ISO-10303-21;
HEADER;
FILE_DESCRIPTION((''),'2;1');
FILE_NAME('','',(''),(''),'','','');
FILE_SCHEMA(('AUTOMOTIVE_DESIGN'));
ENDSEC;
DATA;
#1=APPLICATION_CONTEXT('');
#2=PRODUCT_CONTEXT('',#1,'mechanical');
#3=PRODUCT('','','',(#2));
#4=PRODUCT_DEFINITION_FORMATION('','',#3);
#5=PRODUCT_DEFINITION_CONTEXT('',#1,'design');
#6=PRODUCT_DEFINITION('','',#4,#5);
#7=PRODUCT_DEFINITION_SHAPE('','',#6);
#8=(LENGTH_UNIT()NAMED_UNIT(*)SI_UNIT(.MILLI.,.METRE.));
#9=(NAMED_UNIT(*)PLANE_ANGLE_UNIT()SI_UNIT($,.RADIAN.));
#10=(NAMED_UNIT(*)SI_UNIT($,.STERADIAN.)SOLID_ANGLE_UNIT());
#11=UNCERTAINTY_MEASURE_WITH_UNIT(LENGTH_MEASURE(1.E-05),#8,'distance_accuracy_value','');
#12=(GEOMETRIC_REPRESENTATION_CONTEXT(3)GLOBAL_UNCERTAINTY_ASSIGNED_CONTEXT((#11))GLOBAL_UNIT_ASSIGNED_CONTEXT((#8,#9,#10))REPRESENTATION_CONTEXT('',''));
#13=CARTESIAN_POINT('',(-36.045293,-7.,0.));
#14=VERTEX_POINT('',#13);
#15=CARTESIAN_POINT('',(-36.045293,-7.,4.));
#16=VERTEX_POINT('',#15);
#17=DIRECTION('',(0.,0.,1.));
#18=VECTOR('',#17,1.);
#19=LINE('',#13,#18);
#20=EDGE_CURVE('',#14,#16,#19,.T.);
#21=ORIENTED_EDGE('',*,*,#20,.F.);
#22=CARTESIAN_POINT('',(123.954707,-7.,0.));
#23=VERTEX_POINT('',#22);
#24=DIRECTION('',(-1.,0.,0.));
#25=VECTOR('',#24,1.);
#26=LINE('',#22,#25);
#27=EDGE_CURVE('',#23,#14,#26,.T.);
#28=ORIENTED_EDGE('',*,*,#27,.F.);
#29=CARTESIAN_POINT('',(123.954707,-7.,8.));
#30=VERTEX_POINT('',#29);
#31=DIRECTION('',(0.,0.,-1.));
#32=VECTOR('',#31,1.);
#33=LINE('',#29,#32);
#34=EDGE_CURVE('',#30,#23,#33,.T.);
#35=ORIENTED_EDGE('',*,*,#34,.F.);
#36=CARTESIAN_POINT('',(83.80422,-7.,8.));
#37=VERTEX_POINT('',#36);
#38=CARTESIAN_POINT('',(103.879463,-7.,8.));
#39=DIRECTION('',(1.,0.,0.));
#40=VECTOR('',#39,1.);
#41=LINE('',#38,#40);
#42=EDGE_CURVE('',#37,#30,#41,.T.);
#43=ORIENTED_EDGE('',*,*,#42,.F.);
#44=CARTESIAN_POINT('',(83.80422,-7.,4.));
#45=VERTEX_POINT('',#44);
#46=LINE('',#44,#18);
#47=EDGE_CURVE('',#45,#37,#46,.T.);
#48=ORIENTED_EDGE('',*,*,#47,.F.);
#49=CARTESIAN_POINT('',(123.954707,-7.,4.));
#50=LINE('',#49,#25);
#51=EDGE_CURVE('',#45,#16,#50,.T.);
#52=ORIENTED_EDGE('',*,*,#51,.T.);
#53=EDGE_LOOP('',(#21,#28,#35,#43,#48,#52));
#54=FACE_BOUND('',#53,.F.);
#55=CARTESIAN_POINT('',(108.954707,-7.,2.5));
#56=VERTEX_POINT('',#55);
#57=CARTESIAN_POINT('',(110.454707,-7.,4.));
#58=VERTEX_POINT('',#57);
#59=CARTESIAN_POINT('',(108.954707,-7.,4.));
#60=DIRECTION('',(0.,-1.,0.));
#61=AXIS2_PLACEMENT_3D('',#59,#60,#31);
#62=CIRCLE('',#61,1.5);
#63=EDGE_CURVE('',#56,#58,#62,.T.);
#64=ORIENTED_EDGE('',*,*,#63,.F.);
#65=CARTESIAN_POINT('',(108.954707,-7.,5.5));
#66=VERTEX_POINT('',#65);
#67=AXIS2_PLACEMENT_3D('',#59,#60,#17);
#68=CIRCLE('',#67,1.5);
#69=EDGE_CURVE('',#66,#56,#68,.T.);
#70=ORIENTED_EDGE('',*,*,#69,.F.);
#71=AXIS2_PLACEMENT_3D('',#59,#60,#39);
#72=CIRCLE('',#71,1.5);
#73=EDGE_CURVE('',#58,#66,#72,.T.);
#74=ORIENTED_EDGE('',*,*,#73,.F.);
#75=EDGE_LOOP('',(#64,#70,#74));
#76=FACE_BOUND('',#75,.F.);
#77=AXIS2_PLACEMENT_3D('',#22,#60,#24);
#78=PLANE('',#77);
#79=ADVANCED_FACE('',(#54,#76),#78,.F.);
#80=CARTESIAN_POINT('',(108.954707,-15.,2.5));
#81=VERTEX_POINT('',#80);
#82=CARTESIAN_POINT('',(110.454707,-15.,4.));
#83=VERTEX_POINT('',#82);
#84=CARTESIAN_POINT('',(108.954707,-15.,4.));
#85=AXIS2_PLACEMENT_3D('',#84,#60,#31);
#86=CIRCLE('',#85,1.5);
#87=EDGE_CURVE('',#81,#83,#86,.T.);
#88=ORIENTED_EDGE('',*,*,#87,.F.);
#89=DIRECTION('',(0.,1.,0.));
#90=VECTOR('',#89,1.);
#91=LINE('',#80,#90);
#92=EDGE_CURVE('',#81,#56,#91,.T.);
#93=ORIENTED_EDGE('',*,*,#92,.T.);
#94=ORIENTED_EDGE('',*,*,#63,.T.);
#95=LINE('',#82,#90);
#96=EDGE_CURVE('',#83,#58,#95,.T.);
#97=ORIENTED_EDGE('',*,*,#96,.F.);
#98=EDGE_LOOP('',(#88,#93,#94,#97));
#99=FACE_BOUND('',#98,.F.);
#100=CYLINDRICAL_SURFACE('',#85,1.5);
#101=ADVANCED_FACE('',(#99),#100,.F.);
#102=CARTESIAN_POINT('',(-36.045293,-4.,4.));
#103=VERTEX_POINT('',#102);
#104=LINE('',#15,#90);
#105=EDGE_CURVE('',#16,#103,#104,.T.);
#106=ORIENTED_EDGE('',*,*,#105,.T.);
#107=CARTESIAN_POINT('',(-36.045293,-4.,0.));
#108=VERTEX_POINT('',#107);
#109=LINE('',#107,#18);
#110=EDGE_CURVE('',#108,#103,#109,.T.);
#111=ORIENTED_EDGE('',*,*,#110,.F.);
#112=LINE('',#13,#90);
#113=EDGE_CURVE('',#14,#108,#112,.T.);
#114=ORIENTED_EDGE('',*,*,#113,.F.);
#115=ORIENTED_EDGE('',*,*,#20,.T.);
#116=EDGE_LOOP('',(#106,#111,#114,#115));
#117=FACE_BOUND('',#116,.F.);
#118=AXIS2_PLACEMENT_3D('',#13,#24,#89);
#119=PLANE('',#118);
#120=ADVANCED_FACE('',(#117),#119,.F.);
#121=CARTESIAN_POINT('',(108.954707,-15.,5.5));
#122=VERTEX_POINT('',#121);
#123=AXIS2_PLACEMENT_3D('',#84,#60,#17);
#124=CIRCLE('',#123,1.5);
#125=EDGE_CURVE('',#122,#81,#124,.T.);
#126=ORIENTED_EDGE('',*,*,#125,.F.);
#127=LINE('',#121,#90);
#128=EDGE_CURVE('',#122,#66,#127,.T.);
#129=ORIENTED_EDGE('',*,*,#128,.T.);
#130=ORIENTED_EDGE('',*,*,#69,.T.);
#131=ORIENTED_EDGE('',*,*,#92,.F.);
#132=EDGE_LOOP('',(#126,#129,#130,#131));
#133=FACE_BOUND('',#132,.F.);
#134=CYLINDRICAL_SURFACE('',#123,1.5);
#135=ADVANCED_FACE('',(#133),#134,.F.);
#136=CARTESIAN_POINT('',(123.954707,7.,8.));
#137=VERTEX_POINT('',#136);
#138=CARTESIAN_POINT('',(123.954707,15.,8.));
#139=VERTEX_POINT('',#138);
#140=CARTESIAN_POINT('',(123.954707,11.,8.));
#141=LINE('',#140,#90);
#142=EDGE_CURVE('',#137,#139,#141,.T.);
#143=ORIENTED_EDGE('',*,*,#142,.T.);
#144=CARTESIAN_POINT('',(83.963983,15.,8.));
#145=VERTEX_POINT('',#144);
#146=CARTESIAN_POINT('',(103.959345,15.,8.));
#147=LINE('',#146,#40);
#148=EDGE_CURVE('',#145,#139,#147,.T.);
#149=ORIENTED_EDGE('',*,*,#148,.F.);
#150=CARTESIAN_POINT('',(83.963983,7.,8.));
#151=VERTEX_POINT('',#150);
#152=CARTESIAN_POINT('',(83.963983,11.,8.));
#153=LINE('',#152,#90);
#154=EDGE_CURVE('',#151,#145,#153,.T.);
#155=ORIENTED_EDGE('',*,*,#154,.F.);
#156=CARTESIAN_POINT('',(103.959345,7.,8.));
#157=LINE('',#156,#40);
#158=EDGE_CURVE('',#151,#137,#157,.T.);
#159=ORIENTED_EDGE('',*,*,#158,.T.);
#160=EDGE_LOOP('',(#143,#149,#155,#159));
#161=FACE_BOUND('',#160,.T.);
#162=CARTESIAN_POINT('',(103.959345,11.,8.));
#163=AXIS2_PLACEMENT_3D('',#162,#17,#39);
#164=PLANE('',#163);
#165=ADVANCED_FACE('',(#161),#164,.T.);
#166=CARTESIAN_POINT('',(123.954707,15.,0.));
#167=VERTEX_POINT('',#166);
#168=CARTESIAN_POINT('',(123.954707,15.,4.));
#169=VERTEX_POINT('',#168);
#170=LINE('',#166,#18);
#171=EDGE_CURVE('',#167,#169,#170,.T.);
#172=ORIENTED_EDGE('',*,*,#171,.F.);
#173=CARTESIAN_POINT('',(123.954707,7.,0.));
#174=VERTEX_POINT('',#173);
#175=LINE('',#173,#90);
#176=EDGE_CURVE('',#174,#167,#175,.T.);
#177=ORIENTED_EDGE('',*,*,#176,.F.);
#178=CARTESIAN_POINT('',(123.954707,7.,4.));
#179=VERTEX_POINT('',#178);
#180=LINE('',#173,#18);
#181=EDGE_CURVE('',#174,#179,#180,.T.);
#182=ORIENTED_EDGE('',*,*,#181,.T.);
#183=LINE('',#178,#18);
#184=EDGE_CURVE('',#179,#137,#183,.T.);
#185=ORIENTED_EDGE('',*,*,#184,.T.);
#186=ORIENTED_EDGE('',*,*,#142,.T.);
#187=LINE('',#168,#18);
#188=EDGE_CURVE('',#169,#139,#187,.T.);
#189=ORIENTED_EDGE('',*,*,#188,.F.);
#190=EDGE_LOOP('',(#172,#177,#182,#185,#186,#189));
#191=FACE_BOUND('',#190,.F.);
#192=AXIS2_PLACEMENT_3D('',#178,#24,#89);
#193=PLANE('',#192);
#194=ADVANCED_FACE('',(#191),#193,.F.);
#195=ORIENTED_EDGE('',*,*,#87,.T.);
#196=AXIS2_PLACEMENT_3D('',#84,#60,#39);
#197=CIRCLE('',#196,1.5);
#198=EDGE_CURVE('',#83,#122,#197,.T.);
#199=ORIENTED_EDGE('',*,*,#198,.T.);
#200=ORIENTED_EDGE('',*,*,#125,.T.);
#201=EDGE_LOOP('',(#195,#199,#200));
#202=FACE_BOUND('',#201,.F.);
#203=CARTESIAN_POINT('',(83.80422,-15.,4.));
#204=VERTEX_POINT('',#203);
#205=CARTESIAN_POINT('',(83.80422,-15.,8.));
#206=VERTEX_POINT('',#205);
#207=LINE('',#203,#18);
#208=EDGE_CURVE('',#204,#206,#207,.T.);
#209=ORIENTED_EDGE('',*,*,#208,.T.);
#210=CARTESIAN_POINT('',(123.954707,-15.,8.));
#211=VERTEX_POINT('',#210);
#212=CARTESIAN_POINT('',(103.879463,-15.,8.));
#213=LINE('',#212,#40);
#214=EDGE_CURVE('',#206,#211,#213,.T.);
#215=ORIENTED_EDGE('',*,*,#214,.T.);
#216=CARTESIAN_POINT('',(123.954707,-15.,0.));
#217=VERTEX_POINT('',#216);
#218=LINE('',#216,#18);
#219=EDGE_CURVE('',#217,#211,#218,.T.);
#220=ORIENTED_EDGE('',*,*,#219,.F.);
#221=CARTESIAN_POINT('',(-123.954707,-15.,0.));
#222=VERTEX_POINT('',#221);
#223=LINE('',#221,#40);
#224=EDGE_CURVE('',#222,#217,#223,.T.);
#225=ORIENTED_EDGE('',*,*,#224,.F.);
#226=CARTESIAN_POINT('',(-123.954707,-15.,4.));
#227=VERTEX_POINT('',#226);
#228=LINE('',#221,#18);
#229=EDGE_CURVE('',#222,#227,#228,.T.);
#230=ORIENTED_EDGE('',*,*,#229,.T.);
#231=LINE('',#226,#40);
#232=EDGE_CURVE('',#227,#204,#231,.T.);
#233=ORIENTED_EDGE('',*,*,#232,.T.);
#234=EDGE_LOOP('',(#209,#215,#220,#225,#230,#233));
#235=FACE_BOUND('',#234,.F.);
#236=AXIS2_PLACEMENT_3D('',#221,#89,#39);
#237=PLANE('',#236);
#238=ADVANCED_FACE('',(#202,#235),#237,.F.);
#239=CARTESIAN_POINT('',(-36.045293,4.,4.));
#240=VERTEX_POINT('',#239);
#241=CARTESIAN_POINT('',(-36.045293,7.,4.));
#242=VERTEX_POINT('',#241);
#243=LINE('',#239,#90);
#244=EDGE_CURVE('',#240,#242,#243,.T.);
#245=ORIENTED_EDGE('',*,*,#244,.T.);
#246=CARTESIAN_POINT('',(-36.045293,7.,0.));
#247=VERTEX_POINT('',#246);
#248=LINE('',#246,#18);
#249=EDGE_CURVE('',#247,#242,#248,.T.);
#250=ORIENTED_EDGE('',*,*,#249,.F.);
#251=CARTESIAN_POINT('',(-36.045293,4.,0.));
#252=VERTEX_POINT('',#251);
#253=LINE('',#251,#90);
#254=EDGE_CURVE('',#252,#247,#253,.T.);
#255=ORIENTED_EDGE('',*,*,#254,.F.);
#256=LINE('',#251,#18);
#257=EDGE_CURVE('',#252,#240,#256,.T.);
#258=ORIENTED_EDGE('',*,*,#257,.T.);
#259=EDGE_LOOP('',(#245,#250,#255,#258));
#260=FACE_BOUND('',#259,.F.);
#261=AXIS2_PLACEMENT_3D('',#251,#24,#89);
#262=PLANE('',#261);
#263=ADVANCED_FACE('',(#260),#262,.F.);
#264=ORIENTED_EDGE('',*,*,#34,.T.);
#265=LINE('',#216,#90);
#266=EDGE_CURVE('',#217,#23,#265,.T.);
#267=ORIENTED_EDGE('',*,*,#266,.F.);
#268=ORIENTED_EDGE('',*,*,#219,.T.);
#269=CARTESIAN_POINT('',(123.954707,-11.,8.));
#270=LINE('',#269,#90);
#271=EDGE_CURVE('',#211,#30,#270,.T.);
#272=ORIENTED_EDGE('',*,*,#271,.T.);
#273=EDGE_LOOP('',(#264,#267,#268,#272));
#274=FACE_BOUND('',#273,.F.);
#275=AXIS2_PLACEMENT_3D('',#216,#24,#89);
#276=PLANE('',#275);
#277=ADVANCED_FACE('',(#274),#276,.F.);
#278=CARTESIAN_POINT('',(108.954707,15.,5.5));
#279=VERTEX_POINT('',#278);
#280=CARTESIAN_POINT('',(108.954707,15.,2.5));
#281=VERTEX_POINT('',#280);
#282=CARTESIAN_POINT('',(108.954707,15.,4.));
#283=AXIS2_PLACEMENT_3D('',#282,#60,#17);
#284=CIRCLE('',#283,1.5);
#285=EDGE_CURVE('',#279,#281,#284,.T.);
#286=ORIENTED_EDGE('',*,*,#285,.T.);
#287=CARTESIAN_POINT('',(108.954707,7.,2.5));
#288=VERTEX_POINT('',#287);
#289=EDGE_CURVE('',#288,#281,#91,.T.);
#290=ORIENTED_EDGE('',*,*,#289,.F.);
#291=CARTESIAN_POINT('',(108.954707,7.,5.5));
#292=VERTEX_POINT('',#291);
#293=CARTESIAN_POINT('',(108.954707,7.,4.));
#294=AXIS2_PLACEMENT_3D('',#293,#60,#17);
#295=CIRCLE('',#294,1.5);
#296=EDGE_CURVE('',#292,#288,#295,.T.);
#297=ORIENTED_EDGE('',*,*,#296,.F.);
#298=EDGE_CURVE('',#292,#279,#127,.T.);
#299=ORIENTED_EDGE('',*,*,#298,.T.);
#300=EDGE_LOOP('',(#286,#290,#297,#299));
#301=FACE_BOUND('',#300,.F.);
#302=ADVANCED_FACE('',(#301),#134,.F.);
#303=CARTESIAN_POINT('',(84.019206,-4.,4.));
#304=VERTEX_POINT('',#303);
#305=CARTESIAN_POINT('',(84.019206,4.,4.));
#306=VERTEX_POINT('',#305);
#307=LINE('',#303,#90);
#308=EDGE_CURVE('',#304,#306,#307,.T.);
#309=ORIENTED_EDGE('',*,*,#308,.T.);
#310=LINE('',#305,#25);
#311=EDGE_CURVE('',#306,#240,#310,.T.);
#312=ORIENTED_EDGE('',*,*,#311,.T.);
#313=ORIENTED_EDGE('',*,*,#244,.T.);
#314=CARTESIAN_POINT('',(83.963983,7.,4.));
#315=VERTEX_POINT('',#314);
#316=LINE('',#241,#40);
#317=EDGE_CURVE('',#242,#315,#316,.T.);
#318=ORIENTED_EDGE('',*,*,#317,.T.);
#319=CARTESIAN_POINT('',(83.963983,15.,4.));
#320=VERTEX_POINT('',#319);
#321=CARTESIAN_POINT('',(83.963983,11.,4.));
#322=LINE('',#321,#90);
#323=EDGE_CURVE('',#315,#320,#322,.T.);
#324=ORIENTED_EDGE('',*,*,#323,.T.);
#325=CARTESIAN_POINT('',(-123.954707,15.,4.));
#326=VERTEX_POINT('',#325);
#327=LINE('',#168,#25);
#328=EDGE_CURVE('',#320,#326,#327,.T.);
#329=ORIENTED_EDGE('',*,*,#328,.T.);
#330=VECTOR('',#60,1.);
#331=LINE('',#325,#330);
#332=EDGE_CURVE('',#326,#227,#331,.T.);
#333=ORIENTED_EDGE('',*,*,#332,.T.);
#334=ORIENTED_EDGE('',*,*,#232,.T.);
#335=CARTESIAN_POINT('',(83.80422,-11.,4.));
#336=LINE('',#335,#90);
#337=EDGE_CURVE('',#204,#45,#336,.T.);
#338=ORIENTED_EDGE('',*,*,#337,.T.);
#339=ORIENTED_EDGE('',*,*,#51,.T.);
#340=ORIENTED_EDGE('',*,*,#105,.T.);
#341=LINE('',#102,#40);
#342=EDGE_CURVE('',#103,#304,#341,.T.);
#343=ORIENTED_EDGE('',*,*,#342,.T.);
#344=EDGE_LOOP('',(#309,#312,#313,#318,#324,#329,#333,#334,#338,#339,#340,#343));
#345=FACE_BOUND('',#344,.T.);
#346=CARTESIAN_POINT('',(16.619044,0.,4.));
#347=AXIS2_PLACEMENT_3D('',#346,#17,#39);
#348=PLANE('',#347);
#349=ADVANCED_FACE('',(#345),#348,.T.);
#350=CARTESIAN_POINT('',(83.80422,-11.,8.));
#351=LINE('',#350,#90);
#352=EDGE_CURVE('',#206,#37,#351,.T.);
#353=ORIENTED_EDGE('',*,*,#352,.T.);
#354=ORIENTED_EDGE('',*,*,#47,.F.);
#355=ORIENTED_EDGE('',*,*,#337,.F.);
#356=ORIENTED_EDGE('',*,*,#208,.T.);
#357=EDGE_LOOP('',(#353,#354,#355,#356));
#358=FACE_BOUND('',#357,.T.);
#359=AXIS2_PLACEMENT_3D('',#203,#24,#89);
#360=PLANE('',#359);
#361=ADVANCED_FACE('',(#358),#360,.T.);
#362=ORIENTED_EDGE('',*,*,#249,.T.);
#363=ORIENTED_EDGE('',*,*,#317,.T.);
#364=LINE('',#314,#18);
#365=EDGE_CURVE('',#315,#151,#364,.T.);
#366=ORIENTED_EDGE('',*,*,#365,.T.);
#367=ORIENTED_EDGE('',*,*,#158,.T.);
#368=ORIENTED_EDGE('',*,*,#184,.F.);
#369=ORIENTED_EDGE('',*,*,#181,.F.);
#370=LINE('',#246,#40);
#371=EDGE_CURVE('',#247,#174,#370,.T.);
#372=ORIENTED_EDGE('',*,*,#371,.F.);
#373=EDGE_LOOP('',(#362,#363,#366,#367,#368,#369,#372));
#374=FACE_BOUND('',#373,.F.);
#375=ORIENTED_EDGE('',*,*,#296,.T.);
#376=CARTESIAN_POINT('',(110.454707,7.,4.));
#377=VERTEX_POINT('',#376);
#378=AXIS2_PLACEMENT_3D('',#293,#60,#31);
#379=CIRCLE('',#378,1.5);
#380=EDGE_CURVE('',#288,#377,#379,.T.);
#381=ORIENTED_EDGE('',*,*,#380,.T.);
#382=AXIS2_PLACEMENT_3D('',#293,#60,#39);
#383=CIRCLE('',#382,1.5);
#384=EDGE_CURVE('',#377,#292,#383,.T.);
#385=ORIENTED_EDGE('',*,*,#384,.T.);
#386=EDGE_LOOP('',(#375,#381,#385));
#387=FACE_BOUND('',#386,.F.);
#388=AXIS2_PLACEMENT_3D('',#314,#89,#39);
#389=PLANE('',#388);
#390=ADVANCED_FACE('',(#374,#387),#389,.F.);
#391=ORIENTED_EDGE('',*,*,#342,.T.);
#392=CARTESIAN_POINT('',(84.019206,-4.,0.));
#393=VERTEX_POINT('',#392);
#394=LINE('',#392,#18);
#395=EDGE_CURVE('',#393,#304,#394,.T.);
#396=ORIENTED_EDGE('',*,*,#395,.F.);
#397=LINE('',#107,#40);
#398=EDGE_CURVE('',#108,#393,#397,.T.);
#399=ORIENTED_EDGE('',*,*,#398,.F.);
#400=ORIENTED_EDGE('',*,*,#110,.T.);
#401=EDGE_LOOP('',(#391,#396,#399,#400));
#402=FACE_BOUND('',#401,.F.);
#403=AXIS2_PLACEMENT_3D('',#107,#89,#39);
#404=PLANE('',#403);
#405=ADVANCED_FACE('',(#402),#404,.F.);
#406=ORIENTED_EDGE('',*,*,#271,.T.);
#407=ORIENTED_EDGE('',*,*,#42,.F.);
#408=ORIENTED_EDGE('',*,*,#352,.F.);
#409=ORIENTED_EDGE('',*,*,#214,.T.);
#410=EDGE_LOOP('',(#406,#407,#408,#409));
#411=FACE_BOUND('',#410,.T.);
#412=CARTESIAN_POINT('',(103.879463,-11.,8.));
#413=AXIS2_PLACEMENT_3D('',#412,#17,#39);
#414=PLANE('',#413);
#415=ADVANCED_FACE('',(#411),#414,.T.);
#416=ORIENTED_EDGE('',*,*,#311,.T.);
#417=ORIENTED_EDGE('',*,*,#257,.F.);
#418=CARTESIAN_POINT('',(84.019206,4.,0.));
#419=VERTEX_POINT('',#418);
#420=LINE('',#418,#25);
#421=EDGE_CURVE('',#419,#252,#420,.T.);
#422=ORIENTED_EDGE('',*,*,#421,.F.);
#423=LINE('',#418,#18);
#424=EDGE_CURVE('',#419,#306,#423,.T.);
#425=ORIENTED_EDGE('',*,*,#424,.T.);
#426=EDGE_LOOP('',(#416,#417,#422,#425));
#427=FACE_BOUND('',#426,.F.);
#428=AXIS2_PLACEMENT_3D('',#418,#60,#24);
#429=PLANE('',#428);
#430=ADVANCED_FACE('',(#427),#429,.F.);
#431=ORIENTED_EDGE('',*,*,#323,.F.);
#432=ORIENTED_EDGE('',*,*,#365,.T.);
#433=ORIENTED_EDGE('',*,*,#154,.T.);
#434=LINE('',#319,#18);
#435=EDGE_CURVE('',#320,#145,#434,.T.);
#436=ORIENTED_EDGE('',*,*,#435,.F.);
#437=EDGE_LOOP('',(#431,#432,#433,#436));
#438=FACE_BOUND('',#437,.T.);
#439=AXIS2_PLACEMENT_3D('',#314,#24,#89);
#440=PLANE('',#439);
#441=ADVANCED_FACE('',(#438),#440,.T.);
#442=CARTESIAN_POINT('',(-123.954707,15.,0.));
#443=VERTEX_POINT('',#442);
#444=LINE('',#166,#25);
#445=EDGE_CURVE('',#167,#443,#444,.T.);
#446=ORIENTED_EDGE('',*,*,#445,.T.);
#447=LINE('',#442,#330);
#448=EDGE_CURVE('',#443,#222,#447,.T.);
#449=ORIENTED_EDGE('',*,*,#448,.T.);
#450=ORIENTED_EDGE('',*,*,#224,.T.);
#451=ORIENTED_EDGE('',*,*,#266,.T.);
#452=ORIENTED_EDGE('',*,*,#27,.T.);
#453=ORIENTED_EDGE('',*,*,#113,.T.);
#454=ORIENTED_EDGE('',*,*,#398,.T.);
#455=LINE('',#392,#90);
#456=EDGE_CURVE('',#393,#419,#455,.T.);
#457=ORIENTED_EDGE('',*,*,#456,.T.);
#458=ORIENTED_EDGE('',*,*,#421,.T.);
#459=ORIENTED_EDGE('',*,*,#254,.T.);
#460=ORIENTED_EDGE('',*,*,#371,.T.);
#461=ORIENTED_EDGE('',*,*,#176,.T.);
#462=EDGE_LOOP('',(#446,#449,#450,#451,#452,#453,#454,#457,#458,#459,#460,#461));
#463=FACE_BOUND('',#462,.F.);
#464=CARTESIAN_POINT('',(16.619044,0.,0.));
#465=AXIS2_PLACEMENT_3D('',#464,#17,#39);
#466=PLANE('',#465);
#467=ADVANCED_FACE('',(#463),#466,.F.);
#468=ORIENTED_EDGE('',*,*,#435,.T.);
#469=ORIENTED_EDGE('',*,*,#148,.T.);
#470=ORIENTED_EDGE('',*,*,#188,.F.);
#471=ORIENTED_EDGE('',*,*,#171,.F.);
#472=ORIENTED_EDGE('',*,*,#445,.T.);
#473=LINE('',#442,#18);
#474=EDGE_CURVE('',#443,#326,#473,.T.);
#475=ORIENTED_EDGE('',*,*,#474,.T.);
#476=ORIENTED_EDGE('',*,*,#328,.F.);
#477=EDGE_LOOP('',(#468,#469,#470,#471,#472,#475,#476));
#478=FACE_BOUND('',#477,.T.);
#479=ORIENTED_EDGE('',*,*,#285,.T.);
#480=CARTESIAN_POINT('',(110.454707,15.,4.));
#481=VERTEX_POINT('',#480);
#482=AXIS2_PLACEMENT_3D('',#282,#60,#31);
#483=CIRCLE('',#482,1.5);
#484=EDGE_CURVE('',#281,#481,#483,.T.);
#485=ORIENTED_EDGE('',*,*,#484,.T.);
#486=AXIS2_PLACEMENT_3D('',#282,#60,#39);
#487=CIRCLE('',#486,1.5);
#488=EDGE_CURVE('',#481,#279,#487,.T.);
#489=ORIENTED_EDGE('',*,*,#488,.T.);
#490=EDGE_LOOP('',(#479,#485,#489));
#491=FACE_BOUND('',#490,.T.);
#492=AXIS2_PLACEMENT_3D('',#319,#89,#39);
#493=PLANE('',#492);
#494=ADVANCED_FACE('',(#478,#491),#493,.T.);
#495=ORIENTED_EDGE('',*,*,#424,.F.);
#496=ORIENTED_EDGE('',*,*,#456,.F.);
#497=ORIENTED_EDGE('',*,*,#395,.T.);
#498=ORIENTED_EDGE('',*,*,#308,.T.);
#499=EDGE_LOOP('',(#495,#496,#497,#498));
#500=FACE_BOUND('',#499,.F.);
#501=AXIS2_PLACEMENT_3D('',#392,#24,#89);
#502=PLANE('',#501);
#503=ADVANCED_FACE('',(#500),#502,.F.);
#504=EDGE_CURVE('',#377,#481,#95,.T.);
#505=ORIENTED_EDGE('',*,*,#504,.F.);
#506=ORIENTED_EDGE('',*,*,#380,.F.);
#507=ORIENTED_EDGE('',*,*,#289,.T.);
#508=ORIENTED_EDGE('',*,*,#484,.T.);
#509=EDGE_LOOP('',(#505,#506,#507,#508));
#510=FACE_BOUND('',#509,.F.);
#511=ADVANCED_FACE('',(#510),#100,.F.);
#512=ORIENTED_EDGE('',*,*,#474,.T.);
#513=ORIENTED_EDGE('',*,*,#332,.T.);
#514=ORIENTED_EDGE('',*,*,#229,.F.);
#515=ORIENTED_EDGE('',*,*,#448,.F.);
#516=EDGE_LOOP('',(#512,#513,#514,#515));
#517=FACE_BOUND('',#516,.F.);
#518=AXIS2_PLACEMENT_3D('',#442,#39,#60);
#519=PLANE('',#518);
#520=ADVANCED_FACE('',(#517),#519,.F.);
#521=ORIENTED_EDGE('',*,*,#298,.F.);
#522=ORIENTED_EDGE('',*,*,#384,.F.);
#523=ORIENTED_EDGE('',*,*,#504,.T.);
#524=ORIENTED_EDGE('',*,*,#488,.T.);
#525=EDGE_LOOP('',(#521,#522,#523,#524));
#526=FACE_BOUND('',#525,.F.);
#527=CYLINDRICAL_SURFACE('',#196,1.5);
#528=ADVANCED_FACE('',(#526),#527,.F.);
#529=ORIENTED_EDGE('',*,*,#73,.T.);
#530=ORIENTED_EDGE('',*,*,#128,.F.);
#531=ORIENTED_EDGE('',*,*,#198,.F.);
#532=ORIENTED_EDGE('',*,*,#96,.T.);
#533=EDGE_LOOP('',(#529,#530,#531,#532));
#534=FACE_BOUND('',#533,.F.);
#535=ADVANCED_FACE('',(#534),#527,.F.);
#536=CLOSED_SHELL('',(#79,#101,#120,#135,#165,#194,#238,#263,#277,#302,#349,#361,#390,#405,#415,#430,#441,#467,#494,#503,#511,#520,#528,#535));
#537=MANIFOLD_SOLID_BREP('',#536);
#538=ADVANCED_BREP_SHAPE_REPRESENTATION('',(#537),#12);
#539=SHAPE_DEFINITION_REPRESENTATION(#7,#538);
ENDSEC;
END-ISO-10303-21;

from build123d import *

# Parameters (mm, degrees)
F1_DEPTH = 4
F2_W     = 39.9907242665
F2_H     = 8
F2_W_2   = 40.1504870662
F3_DEPTH = 4
F4_DEPTH = 4
F6_DEPTH = 101


with BuildPart() as f1:
    # F0 (on Top) → F1 (new body)
    with BuildSketch(Plane.XY):
        Polygon((-123.9547070274, -15), (123.9547070274, -15), (123.9547070274, -7), (-36.0452929726, -7), (-36.0452929726, -4), (84.0192064643, -4), (84.0192064643, 4), (83.9637443423, 4), (83.9547070274, 4), (-36.0452929726, 4), (-36.0452929726, 7), (123.9547070274, 7), (123.9547070274, 15), (-123.9547070274, 15), align=None)
    extrude(amount=F1_DEPTH)

    # F2 (on face) → F3 (join)
    with BuildSketch(Plane.XY.offset(4)):
        with Locations((103.9593448941, 11)):
            Rectangle(F2_W, F2_H)
        with Locations((103.8794634943, -11)):
            Rectangle(F2_W_2, F2_H)
    extrude(amount=F3_DEPTH)

    # F2 (on face) → F4 (join)
    with BuildSketch(Plane.XY.offset(4)):
        with Locations((103.9593448941, 11)):
            Rectangle(F2_W, F2_H)
        with Locations((103.8794634943, -11)):
            Rectangle(F2_W_2, F2_H)
    extrude(amount=F4_DEPTH)

    # F5 (on face) → F6 (cut)
    with BuildSketch(Plane.XZ.offset(15)):
        with BuildLine():
            ThreePointArc((110.4547070274, 4), (110.0153671992, 5.0606601718), (108.9547070274, 5.5))
            Line((108.9547070274, 5.5), (108.9547070274, 2.5))
            ThreePointArc((108.9547070274, 2.5), (110.0153671992, 2.9393398282), (110.4547070274, 4))
        make_face()
        with BuildLine():
            Line((108.9547070274, 2.5), (108.9547070274, 5.5))
            ThreePointArc((108.9547070274, 5.5), (107.4547070274, 4), (108.9547070274, 2.5))
        make_face()
    extrude(amount=-F6_DEPTH, mode=Mode.SUBTRACT)


solid = f1.part
